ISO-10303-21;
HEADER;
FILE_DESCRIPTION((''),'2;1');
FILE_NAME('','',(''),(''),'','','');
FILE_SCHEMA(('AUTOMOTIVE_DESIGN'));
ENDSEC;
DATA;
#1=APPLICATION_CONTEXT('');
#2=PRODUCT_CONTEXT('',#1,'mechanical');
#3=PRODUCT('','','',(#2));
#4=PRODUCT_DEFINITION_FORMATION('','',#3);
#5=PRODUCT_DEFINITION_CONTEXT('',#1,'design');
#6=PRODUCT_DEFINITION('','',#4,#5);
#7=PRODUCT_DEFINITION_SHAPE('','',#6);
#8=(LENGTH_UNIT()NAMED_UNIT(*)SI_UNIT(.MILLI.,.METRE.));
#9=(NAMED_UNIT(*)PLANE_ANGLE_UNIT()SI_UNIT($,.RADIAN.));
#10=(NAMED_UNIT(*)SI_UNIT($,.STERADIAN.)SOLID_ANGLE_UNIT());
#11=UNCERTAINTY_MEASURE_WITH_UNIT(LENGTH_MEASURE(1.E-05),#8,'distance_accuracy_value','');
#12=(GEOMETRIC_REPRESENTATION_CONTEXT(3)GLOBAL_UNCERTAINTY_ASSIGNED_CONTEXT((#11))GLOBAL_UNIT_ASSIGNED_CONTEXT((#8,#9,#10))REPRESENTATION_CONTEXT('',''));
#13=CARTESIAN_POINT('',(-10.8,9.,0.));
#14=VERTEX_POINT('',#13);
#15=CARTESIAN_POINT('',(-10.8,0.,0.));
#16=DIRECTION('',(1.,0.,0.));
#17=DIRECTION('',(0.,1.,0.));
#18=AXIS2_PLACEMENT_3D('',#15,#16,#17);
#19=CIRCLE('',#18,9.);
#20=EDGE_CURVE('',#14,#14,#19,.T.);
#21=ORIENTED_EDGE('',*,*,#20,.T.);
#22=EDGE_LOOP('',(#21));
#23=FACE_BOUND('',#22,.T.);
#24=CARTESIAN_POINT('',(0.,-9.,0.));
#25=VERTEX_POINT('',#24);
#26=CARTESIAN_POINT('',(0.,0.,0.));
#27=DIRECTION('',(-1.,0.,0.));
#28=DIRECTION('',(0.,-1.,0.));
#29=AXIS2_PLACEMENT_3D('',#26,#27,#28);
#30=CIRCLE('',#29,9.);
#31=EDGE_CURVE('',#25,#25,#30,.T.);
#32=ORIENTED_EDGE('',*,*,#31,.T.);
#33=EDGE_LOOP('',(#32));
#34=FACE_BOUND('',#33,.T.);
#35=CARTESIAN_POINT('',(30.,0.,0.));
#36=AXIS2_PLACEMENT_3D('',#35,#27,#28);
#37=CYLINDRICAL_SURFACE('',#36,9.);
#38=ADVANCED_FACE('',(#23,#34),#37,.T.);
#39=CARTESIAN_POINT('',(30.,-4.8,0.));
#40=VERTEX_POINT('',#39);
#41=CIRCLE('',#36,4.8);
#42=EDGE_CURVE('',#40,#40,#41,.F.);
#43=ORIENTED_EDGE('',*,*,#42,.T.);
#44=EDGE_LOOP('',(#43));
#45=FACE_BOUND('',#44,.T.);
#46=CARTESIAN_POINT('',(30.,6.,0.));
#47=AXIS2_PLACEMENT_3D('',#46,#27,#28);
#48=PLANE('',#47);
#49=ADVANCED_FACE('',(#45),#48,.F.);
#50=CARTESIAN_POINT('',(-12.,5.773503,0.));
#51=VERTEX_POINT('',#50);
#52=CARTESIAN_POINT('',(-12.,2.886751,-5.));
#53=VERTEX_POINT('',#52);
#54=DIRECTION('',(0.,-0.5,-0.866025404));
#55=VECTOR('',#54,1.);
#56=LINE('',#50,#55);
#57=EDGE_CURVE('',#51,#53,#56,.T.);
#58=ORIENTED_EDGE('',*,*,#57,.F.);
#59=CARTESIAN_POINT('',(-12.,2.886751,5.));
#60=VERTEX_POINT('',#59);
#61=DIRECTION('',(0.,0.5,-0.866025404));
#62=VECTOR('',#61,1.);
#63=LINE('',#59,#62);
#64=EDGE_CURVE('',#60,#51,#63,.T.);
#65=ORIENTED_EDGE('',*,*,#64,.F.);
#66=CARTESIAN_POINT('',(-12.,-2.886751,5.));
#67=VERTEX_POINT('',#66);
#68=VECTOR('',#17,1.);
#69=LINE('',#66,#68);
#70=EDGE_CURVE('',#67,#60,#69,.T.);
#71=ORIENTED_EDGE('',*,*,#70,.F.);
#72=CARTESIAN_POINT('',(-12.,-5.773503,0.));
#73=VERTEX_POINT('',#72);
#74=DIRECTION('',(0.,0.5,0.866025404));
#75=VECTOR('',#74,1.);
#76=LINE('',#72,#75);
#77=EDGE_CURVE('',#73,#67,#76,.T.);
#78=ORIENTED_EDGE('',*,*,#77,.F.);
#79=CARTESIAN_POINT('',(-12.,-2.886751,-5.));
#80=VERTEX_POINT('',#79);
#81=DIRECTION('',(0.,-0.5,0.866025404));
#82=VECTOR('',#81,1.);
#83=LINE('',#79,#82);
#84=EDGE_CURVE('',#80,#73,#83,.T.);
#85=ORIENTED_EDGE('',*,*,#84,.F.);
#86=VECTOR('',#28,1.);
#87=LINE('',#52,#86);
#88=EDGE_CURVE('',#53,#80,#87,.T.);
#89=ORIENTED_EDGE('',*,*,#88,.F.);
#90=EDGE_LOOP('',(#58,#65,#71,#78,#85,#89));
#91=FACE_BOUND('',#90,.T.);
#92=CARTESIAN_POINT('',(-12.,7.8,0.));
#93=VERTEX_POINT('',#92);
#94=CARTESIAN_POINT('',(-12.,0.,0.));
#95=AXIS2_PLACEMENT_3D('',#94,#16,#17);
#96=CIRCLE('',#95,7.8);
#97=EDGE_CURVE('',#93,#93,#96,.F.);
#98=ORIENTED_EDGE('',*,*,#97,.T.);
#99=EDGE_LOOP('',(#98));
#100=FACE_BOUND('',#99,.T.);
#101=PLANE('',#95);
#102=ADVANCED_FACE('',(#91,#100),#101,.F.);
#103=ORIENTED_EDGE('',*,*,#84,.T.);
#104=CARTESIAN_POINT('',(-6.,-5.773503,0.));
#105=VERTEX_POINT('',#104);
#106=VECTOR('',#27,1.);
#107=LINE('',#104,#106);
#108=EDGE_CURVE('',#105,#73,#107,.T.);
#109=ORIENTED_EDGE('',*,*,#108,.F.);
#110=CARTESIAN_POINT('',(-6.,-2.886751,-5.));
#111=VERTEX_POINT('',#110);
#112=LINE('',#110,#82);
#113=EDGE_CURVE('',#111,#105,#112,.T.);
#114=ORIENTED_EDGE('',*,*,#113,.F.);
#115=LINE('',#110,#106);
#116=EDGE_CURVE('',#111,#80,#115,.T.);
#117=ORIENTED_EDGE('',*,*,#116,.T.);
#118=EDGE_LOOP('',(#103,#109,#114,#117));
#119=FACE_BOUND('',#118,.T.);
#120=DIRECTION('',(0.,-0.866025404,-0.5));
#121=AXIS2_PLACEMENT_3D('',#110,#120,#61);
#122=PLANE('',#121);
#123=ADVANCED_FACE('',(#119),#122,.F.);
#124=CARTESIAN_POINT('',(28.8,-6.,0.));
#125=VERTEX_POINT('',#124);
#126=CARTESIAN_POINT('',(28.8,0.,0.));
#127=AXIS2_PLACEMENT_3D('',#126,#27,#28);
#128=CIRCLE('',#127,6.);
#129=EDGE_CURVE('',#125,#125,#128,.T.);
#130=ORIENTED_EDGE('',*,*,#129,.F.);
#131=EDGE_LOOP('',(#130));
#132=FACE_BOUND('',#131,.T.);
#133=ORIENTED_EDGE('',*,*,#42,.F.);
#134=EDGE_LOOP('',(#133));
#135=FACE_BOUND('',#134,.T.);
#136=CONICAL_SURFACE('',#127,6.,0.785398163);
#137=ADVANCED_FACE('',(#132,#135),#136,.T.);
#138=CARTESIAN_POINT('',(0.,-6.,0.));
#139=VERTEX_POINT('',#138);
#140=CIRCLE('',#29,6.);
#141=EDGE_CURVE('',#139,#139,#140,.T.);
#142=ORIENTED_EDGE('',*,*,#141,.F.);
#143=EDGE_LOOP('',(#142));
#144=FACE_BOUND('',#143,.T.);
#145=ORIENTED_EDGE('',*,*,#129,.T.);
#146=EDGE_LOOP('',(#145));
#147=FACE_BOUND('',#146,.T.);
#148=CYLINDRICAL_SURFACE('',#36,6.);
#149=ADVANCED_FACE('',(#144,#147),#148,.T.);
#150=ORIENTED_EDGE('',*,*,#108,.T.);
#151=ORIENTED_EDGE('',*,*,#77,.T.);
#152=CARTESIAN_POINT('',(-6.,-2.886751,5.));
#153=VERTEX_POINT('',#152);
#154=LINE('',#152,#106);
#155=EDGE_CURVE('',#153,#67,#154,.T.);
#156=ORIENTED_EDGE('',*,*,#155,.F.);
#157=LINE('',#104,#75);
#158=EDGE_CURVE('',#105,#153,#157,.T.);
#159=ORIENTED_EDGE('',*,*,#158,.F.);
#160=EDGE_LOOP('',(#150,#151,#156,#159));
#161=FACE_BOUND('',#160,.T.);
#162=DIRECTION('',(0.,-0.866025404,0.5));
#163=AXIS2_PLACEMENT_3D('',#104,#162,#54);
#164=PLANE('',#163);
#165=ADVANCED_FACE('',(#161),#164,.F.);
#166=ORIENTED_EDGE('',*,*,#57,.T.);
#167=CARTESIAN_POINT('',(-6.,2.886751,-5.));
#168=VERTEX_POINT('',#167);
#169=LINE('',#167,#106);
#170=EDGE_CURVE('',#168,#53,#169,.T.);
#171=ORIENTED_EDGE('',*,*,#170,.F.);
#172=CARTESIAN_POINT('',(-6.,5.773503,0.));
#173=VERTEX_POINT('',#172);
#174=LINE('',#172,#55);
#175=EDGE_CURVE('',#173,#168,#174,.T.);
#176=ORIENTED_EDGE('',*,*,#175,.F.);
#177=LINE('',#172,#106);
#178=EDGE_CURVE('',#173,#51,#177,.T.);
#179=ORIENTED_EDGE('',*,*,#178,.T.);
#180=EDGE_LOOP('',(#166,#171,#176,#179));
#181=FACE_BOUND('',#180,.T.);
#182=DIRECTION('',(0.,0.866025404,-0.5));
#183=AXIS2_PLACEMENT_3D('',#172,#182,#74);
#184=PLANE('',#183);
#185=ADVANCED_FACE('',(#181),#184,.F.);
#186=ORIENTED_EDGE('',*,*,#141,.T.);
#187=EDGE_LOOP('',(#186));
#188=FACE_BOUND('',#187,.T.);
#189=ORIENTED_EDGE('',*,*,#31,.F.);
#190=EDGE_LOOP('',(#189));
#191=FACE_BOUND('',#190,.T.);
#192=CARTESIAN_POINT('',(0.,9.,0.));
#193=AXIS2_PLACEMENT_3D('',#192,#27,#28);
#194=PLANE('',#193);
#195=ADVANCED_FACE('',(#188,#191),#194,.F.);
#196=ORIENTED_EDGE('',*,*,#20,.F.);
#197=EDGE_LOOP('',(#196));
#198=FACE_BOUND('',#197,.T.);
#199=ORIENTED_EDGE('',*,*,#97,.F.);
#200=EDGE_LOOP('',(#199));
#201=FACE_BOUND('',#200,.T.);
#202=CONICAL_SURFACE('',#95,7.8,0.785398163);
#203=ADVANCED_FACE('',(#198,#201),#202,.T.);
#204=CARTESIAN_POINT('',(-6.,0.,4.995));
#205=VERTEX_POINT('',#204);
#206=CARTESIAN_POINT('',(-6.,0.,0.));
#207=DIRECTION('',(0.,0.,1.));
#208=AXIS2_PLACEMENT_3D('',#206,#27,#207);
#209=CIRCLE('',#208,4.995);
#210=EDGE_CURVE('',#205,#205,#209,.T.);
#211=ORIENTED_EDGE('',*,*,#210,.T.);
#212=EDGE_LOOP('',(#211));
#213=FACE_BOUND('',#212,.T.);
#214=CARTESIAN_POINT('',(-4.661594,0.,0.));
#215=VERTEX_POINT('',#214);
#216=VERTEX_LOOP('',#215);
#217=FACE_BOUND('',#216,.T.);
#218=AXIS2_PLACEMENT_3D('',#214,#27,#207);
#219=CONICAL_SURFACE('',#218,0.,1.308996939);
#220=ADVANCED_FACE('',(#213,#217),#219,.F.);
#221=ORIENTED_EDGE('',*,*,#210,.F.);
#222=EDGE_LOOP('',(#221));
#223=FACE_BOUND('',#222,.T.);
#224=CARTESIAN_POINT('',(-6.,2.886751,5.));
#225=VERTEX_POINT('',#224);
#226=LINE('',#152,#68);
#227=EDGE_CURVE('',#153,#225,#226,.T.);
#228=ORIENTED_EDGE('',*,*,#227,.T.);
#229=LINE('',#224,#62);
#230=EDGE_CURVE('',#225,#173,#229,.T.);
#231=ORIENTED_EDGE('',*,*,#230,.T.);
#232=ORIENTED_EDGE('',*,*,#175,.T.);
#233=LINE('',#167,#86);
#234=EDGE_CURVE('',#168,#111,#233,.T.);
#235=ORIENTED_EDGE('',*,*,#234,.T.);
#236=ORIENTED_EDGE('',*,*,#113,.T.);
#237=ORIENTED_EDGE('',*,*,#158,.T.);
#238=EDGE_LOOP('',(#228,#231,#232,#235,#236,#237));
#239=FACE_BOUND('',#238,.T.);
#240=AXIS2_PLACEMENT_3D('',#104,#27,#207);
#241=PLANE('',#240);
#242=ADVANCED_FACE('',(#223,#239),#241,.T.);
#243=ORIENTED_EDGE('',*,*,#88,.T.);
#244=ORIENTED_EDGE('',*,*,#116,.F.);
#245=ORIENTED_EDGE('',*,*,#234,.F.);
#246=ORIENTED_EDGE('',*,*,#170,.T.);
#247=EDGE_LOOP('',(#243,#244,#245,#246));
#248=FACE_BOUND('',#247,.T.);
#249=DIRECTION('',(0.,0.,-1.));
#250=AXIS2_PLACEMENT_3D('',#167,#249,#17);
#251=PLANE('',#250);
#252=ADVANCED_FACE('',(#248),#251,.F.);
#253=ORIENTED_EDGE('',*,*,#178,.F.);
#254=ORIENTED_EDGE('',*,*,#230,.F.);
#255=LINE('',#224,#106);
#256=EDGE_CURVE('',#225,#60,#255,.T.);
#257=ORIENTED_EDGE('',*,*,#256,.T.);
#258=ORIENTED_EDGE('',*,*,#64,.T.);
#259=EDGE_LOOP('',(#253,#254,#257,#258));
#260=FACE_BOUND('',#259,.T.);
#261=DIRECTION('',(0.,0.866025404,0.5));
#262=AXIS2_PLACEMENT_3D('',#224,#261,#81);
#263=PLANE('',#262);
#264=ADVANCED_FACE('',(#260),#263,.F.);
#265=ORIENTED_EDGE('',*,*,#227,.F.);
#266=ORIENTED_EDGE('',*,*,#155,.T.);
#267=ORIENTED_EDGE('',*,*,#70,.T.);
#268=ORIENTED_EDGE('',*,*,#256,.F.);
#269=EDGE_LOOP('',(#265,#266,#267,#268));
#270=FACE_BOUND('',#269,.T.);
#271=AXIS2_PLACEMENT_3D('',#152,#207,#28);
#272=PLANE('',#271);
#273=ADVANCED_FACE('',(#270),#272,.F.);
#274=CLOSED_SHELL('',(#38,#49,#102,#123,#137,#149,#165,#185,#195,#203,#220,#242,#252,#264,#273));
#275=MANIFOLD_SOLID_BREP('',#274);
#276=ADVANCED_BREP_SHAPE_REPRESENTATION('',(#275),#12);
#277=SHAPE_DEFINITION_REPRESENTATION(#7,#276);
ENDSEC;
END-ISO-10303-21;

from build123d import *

# Parameters (mm, degrees)
CUT_EXTRUDE1_DEPTH = 6
CHAMFER1_SIZE      = 1.2


with BuildPart() as part:
    # Sketch1 → Revolve1 (revolve)
    with BuildSketch(Plane.XY, mode=Mode.PRIVATE) as revolve1_sk:
        Polygon((-12, 0), (-12, 9), (0, 9), (0, 6), (30, 6), (30, 0), align=None)
    revolve(revolve1_sk.sketch.rotate(Axis((30, 0, 0), (-1, 0, 0)), 180), axis=Axis((30, 0, 0), (-1, 0, 0)))

    # Sketch2 → Cut-Revolve1 (revolve, cut)
    with BuildSketch(Plane.XY, mode=Mode.PRIVATE) as cut_revolve1_sk:
        Polygon((-12, 0), (-12, 4.995), (-6, 4.995), (-4.661593784, 0), align=None)
    revolve(cut_revolve1_sk.sketch.rotate(Axis((-4.661593784, 0, 0), (-1, 0, 0)), 270), axis=Axis((-4.661593784, 0, 0), (-1, 0, 0)), mode=Mode.SUBTRACT)

    # Sketch3 → Cut-Extrude1 (cut)
    with BuildSketch(Plane.ZY.offset(12)):
        Polygon((0, -5.773502692), (5, -2.886751346), (5, 2.886751346), (0, 5.773502692), (-5, 2.886751346), (-5, -2.886751346), align=None)
    extrude(amount=-CUT_EXTRUDE1_DEPTH, mode=Mode.SUBTRACT)

    # Chamfer1
    chamfer1_edges = [part.edges().sort_by_distance(p)[0] for p in [
        (30, 6, 0),
        (-12, 9, 0),
    ]]
    chamfer(chamfer1_edges, length=CHAMFER1_SIZE)


solid = part.part
